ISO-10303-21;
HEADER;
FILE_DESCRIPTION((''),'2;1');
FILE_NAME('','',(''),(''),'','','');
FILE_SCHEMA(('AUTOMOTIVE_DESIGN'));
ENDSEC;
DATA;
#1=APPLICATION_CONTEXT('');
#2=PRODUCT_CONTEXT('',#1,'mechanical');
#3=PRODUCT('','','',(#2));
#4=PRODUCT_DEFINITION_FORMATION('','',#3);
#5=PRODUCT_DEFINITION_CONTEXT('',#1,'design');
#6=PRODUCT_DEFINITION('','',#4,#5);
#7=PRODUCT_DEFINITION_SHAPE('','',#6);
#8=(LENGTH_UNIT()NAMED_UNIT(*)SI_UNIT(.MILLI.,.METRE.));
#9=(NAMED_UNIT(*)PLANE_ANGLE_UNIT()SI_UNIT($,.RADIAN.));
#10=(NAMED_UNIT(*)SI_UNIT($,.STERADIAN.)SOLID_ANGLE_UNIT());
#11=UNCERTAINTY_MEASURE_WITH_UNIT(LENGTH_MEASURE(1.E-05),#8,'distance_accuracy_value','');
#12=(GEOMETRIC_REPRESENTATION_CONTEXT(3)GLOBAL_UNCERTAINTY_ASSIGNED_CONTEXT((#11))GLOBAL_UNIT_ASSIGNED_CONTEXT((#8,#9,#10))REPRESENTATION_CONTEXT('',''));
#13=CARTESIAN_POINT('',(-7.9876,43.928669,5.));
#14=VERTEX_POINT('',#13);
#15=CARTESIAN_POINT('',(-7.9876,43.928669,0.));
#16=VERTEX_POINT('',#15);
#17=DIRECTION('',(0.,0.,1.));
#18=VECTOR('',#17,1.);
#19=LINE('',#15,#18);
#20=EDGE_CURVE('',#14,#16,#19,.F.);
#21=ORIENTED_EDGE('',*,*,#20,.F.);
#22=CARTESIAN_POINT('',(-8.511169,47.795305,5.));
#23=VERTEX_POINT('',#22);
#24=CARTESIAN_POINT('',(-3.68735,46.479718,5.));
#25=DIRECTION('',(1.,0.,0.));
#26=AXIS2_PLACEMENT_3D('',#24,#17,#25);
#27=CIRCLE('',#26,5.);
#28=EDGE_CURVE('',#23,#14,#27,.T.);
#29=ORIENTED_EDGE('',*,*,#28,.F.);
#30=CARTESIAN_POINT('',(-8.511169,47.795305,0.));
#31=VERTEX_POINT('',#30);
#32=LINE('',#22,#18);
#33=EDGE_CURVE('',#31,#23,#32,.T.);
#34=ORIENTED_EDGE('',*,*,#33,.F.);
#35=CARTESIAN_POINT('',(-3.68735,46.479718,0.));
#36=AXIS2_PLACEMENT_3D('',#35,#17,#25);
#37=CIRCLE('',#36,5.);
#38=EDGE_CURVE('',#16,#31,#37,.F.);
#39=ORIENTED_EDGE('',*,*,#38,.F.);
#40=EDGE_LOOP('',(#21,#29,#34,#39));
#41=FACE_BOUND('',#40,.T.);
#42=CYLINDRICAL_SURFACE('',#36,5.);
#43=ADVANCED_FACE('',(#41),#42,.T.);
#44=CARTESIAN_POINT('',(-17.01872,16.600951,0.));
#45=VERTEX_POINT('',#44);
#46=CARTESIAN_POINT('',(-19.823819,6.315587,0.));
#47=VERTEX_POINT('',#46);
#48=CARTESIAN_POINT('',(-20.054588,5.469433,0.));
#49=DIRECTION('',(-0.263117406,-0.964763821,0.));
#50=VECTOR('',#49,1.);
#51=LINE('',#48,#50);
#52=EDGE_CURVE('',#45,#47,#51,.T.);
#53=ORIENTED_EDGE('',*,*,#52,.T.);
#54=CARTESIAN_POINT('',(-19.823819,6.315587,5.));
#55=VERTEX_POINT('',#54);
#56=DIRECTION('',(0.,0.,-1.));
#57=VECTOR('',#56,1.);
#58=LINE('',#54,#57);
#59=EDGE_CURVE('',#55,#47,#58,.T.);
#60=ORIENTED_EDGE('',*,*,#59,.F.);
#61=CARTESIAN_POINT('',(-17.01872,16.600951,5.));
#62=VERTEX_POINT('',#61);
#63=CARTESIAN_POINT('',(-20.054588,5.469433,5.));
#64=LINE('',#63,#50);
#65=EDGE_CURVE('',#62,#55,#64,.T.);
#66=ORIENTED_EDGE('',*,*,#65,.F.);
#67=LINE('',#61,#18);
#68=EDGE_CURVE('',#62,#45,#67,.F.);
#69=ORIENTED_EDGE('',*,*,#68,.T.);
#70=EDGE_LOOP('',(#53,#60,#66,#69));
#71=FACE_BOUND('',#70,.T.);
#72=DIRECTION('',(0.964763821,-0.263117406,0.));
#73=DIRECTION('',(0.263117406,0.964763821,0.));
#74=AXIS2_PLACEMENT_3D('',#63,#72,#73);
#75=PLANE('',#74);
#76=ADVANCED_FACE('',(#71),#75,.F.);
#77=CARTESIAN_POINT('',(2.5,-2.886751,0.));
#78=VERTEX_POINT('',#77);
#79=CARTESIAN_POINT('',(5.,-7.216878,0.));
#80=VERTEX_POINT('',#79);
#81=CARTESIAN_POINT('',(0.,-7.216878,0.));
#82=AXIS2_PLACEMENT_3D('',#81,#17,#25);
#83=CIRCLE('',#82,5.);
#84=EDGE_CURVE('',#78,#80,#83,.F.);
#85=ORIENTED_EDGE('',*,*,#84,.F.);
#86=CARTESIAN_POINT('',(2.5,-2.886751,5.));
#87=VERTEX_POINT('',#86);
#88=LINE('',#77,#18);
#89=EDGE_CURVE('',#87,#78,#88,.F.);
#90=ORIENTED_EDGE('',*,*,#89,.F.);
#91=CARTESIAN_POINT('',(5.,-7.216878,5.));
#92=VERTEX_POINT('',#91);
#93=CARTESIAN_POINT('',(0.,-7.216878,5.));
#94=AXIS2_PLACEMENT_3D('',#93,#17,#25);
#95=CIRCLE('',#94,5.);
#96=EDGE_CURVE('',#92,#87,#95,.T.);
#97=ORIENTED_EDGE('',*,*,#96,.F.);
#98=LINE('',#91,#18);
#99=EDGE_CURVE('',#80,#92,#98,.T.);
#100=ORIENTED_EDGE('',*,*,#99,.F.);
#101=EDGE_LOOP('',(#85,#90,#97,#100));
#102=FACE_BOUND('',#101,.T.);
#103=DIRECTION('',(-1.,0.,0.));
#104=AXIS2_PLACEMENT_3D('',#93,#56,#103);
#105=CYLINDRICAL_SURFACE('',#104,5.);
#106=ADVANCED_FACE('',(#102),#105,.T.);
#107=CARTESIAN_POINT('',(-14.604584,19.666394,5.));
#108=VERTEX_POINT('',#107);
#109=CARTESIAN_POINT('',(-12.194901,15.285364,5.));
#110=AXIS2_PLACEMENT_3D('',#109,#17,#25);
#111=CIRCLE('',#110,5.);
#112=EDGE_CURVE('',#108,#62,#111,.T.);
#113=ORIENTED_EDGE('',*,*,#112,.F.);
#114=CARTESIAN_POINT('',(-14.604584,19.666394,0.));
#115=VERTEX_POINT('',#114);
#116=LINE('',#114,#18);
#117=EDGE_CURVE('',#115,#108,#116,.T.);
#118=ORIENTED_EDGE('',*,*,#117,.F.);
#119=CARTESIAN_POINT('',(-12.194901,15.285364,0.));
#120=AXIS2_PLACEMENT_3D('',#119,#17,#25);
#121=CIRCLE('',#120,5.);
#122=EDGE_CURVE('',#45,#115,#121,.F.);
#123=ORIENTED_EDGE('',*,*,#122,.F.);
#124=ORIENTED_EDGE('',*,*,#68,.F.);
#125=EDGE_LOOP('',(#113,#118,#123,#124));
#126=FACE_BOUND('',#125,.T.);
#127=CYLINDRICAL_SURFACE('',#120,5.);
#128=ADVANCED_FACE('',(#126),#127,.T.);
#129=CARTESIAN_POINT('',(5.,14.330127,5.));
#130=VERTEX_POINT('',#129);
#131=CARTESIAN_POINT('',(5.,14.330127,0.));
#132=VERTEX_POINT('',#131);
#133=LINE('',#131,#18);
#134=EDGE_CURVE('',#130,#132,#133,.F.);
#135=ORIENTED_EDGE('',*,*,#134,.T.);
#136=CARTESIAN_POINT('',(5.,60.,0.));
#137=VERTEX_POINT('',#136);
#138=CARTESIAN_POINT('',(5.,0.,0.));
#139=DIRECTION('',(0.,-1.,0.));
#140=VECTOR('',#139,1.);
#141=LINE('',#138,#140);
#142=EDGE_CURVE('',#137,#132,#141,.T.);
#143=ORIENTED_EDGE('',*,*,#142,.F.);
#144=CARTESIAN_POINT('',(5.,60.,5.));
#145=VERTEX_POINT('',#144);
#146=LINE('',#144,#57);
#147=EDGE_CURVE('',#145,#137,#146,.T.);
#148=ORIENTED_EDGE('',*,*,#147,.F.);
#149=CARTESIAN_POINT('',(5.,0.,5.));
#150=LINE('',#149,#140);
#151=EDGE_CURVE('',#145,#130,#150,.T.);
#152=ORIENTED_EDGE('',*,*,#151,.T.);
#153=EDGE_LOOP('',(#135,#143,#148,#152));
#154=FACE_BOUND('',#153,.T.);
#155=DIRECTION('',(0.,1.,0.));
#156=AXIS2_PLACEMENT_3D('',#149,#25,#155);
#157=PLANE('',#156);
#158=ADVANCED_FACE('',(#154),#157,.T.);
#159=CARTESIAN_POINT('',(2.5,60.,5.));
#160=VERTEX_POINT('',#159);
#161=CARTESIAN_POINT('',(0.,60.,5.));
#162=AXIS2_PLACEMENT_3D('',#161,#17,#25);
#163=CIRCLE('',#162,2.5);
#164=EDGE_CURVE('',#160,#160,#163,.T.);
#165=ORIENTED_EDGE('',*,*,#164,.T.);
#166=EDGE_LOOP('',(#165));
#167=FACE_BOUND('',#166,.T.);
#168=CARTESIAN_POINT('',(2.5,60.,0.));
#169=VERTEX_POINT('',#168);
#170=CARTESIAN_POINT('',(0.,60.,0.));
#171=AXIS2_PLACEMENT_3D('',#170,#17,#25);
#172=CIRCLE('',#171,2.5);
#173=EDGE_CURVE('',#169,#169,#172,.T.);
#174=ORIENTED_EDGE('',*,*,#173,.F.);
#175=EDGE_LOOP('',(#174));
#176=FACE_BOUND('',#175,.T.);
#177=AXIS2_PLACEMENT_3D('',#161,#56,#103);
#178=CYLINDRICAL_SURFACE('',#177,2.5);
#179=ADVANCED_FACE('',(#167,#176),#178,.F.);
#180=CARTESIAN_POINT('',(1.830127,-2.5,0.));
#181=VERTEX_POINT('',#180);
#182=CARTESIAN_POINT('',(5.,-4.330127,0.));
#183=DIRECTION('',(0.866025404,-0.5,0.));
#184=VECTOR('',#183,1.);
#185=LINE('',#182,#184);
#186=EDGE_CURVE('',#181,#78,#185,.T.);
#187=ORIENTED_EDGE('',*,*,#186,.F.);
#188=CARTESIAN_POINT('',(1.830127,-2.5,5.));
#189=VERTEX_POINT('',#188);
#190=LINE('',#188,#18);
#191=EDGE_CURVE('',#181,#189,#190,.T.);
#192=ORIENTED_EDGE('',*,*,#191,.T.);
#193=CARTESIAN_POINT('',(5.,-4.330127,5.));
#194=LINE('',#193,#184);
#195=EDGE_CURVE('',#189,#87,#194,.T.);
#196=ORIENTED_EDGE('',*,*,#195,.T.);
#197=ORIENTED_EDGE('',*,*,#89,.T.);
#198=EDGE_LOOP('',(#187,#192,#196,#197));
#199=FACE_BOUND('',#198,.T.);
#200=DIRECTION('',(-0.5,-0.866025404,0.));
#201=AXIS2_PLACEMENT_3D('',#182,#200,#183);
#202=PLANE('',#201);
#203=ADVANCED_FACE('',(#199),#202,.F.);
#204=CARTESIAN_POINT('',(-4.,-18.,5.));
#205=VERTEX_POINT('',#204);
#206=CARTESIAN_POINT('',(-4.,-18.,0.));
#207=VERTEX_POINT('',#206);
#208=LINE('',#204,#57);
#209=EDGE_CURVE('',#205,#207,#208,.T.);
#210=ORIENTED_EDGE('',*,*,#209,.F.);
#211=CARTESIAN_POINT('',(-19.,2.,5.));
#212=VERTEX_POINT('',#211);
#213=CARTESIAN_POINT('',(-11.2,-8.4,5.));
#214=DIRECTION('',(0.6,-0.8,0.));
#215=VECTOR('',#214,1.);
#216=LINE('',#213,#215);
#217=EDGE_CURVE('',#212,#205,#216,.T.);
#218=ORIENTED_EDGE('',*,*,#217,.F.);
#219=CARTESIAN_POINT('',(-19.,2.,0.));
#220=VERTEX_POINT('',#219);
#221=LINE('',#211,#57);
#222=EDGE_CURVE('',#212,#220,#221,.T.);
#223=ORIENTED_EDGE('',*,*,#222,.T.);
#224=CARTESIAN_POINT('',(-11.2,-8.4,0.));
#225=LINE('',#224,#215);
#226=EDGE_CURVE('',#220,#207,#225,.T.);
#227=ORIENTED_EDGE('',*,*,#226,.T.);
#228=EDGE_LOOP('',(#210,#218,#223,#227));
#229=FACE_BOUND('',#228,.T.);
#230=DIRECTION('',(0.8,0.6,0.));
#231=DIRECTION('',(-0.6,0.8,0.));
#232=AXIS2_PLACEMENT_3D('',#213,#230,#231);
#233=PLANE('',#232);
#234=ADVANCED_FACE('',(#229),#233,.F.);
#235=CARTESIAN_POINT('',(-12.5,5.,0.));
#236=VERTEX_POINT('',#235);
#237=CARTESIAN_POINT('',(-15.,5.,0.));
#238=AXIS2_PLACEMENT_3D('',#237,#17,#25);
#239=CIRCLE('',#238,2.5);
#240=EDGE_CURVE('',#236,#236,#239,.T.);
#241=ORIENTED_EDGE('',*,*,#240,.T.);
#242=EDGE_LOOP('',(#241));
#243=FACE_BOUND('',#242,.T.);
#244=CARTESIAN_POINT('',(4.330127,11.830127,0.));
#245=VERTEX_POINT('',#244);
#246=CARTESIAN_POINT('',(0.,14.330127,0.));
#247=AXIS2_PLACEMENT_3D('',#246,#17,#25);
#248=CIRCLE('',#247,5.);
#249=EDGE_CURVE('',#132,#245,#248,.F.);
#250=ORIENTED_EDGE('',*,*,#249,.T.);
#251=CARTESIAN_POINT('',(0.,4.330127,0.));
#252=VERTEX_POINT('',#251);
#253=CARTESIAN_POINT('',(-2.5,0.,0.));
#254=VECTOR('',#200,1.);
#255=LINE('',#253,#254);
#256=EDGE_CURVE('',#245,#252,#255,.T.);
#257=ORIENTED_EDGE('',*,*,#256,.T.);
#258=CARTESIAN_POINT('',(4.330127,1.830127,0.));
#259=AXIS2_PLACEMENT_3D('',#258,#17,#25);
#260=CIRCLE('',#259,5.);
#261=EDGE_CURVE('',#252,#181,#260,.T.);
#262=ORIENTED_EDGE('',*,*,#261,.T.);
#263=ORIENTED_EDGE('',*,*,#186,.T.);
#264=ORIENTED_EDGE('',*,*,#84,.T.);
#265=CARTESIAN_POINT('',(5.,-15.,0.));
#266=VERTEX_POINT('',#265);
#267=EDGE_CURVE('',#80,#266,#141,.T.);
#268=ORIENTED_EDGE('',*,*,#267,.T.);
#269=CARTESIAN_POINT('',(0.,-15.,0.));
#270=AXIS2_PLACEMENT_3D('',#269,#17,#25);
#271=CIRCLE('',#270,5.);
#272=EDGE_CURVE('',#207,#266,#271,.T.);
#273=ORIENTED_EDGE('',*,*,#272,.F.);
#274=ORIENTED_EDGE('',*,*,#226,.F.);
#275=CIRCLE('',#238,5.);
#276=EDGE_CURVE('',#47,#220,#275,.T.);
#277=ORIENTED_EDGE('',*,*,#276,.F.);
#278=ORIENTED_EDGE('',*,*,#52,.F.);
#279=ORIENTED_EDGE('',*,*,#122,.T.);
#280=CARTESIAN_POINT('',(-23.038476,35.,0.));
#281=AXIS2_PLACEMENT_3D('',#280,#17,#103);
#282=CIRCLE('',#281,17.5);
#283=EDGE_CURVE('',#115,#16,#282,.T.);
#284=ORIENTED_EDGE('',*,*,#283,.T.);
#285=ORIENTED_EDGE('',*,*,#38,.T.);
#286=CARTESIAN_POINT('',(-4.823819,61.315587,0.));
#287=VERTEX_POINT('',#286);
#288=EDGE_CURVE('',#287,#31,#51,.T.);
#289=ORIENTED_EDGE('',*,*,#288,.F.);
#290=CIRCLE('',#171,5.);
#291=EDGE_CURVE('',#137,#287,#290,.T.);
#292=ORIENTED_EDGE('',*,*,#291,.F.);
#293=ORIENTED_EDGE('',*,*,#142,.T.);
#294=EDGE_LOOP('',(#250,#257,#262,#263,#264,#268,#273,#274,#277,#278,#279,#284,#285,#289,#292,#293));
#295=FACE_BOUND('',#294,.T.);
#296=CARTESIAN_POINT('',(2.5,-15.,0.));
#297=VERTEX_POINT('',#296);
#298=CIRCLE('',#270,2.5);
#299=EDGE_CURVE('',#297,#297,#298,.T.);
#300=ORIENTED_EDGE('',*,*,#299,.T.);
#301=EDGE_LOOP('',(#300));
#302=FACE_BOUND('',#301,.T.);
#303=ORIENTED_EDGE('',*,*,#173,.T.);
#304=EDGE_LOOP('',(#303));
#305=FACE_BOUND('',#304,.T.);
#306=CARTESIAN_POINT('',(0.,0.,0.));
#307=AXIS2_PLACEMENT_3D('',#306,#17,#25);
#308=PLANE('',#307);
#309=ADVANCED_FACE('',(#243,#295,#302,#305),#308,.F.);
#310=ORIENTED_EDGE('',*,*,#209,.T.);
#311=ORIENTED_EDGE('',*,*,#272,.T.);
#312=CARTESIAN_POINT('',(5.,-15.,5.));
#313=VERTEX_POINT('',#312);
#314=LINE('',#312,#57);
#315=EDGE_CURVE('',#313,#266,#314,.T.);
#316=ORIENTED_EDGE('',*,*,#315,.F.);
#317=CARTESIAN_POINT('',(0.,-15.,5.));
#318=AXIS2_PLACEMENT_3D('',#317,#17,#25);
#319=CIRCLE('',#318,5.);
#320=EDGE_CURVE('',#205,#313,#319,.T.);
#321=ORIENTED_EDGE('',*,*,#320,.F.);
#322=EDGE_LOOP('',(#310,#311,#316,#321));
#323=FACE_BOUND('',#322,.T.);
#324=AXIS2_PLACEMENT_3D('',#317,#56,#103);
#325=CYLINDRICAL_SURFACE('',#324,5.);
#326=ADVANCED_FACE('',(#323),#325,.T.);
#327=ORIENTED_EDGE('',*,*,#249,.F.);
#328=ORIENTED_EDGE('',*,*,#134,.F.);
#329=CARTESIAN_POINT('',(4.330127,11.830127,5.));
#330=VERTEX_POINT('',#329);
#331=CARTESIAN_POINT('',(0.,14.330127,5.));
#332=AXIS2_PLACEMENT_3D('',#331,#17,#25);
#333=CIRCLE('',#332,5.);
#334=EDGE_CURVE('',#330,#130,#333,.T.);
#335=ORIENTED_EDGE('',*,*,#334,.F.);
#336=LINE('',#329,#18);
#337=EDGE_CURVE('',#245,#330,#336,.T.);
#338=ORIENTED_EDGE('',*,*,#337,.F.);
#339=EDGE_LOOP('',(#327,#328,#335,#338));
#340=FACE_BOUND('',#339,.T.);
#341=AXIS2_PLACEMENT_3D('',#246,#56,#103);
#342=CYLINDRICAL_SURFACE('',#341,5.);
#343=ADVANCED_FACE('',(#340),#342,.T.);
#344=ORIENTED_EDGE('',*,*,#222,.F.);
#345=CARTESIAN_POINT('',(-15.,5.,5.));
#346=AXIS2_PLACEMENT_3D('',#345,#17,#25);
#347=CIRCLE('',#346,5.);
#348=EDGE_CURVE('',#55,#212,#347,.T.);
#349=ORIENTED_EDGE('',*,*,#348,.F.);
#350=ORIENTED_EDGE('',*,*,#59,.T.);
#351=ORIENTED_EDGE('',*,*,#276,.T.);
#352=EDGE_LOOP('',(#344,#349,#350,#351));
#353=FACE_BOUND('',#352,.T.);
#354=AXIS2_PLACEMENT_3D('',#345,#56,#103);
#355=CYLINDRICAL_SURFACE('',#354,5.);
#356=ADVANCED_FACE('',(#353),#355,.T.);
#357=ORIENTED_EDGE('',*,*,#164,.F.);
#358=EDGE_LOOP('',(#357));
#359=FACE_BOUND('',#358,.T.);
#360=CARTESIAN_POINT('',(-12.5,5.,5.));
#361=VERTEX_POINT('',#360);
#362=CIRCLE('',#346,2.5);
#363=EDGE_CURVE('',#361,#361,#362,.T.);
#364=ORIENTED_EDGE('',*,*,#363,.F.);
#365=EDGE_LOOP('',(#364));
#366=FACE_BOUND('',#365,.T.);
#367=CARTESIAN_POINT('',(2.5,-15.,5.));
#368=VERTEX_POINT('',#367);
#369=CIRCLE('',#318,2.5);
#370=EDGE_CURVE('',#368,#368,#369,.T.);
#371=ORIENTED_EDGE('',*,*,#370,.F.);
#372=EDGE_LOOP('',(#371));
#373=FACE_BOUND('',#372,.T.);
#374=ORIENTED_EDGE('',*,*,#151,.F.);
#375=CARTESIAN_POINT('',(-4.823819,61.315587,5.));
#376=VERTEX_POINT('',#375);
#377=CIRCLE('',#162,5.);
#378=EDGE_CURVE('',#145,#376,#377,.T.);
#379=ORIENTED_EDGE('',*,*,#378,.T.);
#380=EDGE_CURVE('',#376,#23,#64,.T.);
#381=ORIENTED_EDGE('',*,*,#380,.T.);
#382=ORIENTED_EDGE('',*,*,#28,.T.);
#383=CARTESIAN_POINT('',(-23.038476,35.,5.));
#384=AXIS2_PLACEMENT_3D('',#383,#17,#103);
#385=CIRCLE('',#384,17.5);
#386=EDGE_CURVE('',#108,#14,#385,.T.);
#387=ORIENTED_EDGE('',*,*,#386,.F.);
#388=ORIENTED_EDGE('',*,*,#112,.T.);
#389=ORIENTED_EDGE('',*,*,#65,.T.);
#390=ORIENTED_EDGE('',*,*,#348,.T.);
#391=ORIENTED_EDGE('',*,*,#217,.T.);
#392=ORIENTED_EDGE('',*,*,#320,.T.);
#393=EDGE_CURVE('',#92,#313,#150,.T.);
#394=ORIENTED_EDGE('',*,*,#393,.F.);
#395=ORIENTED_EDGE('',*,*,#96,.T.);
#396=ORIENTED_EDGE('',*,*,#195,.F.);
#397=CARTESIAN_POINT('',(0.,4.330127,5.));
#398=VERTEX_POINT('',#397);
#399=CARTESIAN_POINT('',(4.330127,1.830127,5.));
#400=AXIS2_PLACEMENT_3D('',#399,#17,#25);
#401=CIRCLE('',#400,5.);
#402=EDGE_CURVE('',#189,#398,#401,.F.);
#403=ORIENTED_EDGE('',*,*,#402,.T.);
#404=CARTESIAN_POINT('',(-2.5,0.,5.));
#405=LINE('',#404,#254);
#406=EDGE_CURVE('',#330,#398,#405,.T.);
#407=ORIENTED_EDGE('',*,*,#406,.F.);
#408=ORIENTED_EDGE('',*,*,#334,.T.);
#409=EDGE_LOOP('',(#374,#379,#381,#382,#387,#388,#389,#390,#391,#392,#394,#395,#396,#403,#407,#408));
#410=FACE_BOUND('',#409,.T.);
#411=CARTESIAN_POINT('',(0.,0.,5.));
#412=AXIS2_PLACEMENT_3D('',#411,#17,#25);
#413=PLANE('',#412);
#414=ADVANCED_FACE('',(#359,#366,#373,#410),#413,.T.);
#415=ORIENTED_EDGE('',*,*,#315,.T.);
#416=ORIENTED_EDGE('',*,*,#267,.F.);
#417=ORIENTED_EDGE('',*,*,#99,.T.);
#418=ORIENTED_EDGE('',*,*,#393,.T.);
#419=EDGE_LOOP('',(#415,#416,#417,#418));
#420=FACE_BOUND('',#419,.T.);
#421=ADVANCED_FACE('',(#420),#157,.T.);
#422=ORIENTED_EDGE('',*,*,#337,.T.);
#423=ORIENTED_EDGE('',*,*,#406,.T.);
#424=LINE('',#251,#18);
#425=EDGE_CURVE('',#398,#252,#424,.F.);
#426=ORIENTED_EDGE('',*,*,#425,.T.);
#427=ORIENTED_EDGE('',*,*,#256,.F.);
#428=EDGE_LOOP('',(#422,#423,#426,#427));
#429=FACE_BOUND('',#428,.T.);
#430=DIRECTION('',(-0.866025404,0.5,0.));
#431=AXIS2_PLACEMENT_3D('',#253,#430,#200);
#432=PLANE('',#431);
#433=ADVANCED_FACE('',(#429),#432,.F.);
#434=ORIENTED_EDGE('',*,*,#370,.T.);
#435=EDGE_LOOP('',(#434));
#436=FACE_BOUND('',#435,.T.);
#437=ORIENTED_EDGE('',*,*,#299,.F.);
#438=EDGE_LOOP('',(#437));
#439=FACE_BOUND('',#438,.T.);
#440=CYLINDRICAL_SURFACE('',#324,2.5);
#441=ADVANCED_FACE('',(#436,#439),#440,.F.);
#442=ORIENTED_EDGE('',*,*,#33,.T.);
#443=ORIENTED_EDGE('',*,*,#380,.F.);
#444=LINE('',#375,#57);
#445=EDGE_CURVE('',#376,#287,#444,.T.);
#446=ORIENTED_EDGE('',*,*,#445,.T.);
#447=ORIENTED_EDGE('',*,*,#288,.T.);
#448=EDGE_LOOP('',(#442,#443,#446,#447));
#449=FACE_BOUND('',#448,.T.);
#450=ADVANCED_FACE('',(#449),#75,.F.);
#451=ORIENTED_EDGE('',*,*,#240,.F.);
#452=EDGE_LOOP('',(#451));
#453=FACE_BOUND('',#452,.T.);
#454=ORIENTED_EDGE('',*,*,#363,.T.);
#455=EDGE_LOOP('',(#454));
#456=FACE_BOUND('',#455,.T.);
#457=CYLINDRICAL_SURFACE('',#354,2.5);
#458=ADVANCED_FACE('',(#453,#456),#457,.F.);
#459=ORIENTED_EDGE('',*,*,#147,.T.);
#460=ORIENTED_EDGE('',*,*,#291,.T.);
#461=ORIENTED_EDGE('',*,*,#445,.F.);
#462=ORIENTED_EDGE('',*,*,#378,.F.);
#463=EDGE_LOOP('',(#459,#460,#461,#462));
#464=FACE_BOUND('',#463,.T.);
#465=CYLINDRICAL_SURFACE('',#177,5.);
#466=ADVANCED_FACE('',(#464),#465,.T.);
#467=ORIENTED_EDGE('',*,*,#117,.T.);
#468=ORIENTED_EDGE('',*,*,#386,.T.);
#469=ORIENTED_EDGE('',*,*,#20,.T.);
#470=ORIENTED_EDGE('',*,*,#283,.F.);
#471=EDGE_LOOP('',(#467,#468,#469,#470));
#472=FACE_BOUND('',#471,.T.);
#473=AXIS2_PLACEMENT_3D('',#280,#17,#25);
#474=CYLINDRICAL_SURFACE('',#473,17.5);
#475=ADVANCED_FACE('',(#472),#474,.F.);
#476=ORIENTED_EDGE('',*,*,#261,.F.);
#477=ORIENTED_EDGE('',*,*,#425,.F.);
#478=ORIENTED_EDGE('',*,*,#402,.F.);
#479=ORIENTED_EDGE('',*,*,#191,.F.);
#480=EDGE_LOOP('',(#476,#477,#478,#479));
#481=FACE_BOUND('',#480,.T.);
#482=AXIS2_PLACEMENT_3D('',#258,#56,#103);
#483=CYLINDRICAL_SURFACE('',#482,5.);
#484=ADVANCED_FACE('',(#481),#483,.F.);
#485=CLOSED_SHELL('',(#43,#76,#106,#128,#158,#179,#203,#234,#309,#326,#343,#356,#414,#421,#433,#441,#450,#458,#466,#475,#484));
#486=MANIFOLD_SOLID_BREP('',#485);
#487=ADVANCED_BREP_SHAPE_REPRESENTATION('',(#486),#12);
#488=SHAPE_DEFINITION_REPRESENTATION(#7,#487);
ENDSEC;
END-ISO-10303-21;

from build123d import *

# Parameters (mm, degrees)
SKETCH1_R           = 5
SKETCH1_R_2         = 2.5
BOSS_EXTRUDE1_DEPTH = 5
CUT_EXTRUDE2_DEPTH  = 5
FILLET1_R           = 5
CUT_EXTRUDE3_DEPTH  = 69.190908485
FILLET2_R           = 5


with BuildPart() as part:
    # Sketch1 → Boss-Extrude1 (new body)
    # profile 1 of 4: a face of its own
    with BuildSketch(Plane.XY):
        with BuildLine():
            Line((5, -15), (5, 60))
            ThreePointArc((5, 60), (-0.663665755, 55.04424095), (-4.823819106, 61.315587029))
            Line((-4.823819106, 61.315587029), (-19.823819106, 6.315587029))
            ThreePointArc((-19.823819106, 6.315587029), (-14.336334245, 9.95575905), (-10, 5))
            ThreePointArc((-10, 5), (-13.41886117, 0.25658351), (-19, 2))
            Line((-19, 2), (-4, -18))
            ThreePointArc((-4, -18), (-1.58113883, -10.25658351), (5, -15))
        make_face()
    # profile 2 of 4: a face of its own
    with BuildSketch(Plane.XY):
        with Locations((-15, 5)):
            Circle(SKETCH1_R)
        with Locations((-15, 5)):
            Circle(SKETCH1_R_2, mode=Mode.SUBTRACT)
    # profile 3 of 4: a face of its own
    with BuildSketch(Plane.XY):
        with Locations((0, -15)):
            Circle(SKETCH1_R)
        with Locations((0, -15)):
            Circle(SKETCH1_R_2, mode=Mode.SUBTRACT)
    # profile 4 of 4: a face of its own
    with BuildSketch(Plane.XY):
        with Locations((0, 60)):
            Circle(SKETCH1_R)
        with Locations((0, 60)):
            Circle(SKETCH1_R_2, mode=Mode.SUBTRACT)
    extrude(amount=BOSS_EXTRUDE1_DEPTH)

    # Sketch3 → Cut-Extrude2 (cut)
    with BuildSketch(Plane.XY.offset(5)):
        Polygon((5, 12.990381057), (5, -4.330127019), (-2.5, 0), align=None)
    extrude(amount=-CUT_EXTRUDE2_DEPTH, mode=Mode.SUBTRACT)

    # Fillet1
    fillet1_edges = [part.edges().sort_by_distance(p)[0] for p in [
        (-2.5, 0, 2.5),
        (5, 12.990381057, 2.5),
        (5, -4.330127019, 2.5),
    ]]
    fillet(fillet1_edges, radius=FILLET1_R)

    # Sketch4 → Cut-Extrude3 (cut, through all)
    with BuildSketch(Plane.XY.offset(5)):
        with BuildLine():
            Line((-9.110982773, 45.595986917), (-16.418905931, 18.800268672))
            ThreePointArc((-16.418905931, 18.800268672), (-6.155108901, 30.395445399), (-9.110982773, 45.595986917))
        make_face()
    extrude(amount=-CUT_EXTRUDE3_DEPTH, mode=Mode.SUBTRACT)

    # Fillet2
    fillet2_edges = [part.edges().sort_by_distance(p)[0] for p in [
        (-9.110982773, 45.595986917, 2.5),
        (-16.418905931, 18.800268672, 2.5),
    ]]
    fillet(fillet2_edges, radius=FILLET2_R)


solid = part.part
